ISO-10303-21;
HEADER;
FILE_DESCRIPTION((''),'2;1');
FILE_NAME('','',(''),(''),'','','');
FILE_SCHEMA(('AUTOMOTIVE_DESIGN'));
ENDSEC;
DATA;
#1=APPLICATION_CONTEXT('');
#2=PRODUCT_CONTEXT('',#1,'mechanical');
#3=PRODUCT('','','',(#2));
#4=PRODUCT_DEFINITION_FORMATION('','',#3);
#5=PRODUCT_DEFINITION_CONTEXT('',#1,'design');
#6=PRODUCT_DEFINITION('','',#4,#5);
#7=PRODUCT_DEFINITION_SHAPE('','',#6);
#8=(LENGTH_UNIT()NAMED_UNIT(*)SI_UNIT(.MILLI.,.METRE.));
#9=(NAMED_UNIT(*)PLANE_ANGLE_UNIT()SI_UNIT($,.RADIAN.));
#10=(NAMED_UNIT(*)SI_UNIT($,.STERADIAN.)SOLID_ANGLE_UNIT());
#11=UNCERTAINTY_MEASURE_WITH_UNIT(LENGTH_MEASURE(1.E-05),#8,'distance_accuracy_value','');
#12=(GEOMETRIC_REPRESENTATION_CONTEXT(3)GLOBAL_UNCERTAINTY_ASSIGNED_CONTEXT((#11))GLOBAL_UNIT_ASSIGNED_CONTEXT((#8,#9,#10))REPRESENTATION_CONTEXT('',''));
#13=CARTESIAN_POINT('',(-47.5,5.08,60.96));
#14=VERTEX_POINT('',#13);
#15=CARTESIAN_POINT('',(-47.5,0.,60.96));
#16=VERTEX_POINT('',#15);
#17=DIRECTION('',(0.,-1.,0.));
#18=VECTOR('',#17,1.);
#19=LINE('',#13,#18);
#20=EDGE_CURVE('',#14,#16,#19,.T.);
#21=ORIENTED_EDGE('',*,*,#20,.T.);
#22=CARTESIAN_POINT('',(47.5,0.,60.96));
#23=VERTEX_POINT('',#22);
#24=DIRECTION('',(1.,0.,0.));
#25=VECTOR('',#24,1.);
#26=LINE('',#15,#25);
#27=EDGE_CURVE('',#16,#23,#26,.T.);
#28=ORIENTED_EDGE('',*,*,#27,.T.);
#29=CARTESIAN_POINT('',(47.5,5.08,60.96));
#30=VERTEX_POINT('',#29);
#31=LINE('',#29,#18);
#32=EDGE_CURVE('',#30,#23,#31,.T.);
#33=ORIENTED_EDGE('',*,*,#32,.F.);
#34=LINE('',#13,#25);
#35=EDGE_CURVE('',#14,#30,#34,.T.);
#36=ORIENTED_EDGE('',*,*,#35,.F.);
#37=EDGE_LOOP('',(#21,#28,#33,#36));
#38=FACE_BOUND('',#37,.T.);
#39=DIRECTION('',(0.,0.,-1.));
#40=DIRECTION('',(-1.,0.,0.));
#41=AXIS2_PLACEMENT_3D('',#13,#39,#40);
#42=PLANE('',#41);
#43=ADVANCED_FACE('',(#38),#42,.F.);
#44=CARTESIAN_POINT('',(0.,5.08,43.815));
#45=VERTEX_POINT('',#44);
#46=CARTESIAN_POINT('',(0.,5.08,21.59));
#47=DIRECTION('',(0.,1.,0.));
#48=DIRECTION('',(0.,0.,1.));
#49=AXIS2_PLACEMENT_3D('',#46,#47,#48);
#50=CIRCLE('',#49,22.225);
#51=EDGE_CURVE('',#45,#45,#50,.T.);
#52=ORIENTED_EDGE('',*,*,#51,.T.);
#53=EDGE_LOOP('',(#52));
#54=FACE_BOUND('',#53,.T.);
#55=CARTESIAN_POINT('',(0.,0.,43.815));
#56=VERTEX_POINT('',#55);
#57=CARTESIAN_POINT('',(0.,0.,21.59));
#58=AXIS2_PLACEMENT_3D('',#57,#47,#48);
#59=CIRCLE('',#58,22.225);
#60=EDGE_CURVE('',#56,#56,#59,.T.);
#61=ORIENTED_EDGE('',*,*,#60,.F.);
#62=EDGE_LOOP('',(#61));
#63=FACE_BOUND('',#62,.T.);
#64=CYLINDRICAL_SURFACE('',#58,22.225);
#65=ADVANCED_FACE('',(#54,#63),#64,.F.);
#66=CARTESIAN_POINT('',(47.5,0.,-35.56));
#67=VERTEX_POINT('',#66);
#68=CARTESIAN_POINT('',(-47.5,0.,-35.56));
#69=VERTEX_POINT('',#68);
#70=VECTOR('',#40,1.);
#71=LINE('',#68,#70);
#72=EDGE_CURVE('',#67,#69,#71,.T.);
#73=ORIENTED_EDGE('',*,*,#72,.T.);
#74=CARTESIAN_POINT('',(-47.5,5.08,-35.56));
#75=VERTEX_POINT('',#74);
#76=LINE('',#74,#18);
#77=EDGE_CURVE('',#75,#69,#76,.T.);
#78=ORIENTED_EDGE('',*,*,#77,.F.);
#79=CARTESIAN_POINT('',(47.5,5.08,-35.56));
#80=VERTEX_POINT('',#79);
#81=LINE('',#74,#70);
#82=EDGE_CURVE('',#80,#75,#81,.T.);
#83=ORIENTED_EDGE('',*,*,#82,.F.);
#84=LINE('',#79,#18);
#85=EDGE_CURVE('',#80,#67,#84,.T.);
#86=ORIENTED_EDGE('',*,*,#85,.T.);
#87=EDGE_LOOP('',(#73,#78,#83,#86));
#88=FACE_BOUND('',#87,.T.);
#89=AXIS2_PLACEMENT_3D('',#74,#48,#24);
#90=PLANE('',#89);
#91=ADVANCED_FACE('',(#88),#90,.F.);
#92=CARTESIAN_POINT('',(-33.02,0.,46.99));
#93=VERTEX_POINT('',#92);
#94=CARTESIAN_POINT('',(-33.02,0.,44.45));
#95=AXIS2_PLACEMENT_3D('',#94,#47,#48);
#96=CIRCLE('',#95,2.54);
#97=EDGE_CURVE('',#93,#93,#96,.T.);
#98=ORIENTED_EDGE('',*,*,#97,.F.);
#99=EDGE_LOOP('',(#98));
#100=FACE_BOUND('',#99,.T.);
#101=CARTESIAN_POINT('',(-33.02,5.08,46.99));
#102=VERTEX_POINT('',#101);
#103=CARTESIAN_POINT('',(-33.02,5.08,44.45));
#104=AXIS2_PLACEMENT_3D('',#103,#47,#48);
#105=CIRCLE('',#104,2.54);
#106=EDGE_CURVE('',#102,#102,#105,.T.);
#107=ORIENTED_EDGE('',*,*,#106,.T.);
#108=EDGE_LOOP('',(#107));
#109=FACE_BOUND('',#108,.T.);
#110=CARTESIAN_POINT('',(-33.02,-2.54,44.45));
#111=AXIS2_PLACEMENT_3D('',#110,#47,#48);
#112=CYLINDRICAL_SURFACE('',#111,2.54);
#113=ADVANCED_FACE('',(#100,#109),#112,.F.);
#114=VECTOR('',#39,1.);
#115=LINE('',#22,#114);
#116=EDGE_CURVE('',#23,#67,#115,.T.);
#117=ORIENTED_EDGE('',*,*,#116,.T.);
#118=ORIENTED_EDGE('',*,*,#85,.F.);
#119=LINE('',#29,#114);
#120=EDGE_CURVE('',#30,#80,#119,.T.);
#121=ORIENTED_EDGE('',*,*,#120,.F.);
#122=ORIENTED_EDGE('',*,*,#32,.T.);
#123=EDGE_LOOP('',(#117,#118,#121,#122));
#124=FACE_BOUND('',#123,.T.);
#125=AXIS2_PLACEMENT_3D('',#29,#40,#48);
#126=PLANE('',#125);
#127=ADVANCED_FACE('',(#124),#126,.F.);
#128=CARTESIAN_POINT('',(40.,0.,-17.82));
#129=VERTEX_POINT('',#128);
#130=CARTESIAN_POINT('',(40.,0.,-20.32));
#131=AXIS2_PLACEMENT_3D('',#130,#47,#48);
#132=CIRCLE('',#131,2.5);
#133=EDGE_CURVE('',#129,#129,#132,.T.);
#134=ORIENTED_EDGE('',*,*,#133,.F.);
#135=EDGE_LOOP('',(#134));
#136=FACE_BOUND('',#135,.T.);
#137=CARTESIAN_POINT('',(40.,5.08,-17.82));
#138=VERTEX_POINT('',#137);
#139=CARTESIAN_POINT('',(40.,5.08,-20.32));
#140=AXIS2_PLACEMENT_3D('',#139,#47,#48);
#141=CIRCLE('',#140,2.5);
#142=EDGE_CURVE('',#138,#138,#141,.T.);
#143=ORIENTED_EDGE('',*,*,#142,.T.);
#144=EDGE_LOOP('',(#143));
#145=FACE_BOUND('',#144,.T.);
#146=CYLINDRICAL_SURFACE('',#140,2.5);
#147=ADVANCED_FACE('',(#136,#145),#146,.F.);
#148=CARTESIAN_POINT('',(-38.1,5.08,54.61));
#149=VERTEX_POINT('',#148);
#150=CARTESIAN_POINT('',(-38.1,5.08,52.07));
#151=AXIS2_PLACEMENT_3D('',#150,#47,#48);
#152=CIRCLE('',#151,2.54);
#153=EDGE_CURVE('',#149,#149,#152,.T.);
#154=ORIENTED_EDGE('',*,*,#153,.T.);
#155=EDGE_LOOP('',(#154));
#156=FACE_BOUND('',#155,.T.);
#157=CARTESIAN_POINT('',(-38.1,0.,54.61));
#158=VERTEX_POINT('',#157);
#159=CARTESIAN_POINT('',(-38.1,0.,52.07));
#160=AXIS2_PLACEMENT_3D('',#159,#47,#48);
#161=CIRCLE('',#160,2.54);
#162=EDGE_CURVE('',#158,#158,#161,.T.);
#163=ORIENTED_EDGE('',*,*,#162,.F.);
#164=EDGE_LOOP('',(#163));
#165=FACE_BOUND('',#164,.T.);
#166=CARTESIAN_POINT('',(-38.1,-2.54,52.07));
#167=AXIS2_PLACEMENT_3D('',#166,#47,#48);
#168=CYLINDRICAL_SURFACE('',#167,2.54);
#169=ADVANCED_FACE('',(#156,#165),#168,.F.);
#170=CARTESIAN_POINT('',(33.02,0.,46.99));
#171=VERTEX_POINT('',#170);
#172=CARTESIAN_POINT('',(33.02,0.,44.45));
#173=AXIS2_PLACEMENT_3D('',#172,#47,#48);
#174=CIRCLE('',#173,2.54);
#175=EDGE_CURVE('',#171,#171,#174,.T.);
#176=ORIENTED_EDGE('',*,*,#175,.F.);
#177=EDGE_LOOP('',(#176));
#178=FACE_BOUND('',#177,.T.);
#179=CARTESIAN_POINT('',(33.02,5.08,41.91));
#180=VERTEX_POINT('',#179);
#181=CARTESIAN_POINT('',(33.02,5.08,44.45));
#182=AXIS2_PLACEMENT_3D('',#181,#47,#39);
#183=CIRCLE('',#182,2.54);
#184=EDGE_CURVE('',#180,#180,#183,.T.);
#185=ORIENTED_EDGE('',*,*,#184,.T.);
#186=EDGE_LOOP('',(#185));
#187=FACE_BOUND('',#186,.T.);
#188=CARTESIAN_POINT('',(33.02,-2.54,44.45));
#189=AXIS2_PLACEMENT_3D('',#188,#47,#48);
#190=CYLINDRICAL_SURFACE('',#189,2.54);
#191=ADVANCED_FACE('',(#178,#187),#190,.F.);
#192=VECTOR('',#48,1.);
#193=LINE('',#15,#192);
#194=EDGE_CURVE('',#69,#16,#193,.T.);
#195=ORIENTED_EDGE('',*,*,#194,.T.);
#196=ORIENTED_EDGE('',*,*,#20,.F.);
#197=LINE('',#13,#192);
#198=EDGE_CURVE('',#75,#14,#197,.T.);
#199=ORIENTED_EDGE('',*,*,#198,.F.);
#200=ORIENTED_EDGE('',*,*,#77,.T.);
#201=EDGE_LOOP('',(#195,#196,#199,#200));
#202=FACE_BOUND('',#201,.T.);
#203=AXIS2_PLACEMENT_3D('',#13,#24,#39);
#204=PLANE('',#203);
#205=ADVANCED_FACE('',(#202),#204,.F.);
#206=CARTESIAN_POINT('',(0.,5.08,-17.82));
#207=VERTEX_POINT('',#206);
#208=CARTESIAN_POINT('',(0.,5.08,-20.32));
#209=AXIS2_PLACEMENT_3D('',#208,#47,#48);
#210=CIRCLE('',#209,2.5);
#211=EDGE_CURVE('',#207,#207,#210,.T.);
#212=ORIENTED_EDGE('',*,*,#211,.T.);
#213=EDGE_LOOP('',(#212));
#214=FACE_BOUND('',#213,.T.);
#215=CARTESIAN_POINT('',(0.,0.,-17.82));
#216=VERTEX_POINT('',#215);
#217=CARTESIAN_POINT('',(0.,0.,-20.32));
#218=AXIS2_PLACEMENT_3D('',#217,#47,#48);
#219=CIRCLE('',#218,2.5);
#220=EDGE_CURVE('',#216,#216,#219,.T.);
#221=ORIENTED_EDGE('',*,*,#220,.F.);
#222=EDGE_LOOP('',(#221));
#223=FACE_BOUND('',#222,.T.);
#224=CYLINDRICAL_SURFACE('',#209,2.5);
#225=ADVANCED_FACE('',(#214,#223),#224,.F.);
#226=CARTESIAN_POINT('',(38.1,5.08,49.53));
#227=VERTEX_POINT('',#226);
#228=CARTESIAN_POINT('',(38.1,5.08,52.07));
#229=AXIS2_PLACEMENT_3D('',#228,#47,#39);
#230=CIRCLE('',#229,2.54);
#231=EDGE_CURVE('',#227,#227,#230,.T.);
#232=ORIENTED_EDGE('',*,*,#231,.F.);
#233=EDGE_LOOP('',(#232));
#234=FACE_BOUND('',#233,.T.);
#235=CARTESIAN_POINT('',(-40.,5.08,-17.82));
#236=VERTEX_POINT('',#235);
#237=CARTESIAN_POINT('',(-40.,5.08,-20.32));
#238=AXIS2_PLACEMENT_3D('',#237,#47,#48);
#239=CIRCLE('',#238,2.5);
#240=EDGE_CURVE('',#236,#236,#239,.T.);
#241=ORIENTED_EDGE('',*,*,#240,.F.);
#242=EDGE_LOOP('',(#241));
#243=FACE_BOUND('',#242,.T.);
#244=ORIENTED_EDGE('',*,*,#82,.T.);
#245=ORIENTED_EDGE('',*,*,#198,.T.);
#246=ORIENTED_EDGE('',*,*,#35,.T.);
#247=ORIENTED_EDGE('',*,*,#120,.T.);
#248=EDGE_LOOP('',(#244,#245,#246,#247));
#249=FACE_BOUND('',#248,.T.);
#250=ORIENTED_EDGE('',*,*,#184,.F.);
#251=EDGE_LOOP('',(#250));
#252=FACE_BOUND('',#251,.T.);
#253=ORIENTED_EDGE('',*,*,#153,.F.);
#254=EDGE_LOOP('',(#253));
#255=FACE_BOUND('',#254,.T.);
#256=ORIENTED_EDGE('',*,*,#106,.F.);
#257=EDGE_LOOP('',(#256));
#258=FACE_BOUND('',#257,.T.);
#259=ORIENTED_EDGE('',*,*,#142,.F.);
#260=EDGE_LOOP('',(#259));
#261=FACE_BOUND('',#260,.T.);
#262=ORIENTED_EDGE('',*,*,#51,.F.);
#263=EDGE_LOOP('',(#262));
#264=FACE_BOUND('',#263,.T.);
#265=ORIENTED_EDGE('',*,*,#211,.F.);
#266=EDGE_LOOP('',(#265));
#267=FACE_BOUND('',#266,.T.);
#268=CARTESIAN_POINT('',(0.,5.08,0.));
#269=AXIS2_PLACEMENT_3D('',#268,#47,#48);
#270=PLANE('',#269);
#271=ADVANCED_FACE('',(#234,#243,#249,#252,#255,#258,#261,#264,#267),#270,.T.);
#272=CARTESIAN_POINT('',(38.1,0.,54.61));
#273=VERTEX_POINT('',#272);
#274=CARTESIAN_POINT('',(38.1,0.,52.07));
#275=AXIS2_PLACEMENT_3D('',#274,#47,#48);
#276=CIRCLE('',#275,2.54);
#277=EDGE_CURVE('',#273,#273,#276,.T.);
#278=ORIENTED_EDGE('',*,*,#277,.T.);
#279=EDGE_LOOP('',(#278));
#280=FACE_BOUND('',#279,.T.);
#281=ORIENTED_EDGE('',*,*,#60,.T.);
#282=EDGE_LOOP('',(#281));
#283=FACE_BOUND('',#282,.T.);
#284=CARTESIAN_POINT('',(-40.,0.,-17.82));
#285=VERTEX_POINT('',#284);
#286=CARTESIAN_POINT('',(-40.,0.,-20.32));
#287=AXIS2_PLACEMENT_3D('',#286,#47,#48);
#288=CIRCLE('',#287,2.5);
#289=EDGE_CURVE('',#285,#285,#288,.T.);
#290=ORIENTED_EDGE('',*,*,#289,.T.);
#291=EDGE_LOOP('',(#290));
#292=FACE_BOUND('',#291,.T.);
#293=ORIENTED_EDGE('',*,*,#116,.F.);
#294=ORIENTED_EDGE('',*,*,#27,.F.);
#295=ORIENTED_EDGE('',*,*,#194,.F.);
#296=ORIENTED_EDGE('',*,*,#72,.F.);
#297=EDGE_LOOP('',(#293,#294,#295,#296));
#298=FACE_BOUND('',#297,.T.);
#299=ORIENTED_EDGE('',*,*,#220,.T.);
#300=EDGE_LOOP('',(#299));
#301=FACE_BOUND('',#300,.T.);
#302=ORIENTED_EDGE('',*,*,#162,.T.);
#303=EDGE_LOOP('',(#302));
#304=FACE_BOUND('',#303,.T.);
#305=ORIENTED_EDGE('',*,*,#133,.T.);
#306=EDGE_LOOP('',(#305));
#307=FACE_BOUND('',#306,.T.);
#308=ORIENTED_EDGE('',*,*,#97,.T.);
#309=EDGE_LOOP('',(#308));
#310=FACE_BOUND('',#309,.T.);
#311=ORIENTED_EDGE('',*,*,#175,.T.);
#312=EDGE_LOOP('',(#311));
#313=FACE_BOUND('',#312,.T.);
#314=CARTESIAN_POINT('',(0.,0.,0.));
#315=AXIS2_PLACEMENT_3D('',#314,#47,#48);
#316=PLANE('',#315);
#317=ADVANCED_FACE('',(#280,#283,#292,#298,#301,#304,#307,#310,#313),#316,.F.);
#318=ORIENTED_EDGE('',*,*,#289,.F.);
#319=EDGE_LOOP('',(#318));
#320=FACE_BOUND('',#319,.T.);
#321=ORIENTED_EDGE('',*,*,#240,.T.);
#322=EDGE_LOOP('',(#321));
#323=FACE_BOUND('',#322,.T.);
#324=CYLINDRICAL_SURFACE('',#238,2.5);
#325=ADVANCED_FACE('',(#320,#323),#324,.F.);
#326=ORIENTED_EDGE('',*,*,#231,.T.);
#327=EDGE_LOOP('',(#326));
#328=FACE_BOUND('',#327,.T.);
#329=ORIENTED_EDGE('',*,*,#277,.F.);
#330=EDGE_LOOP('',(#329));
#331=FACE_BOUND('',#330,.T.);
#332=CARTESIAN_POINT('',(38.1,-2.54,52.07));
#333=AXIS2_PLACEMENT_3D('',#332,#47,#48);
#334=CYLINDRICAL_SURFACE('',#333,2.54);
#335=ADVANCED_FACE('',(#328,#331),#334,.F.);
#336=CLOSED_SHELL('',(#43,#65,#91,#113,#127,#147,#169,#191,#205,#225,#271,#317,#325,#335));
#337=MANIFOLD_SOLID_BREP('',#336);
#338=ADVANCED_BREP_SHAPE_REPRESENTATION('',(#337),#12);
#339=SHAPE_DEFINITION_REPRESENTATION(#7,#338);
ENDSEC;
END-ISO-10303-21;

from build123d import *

# Parameters (mm, degrees)
SKETCH2_W                 = 95
SKETCH2_H                 = 96.52
BOSS_EXTRUDE3_DEPTH       = 5.08
SKETCH3_R                 = 22.225
CUT_EXTRUDE1_DEPTH        = 78.447905072
M6X1_0_TAPPED_HOLE1_D     = 5
M6X1_0_TAPPED_HOLE1_DEPTH = 5.08
M6X1_0_TAPPED_HOLE1_TIP   = 1.502151548
SKETCH7_R                 = 2.54
CUT_EXTRUDE2_DEPTH        = 7.62


with BuildPart() as part:
    # Sketch2 → Boss-Extrude3 (new body)
    with BuildSketch(Plane(origin=(0, 0, 0), x_dir=(1, 0, 0), z_dir=(0, 1, 0))):
        with Locations((0, -12.7)):
            Rectangle(SKETCH2_W, SKETCH2_H)
    extrude(amount=BOSS_EXTRUDE3_DEPTH)

    # Sketch3 → Cut-Extrude1 (cut, through all)
    with BuildSketch(Plane(origin=(0, 5.08, 0), x_dir=(1, 0, 0), z_dir=(0, 1, 0))):
        with Locations(Location((0, -21.59, 0), (0, 0, 270))):
            Circle(SKETCH3_R)
    extrude(amount=-CUT_EXTRUDE1_DEPTH, mode=Mode.SUBTRACT)

    # M6x1.0 Tapped Hole1
    with Locations(Plane(origin=(0, 5.08, 0), x_dir=(1, 0, 0), z_dir=(0, 1, 0))):
        with Locations((-40, 20.32), (40, 20.32), (0, 20.32)):
            Hole(M6X1_0_TAPPED_HOLE1_D / 2, depth=M6X1_0_TAPPED_HOLE1_DEPTH)
            with Locations((0, 0, -(M6X1_0_TAPPED_HOLE1_DEPTH + M6X1_0_TAPPED_HOLE1_TIP / 2))):  # 118° drill point
                Cone(0, M6X1_0_TAPPED_HOLE1_D / 2, M6X1_0_TAPPED_HOLE1_TIP, mode=Mode.SUBTRACT)

    # Sketch7 → Cut-Extrude2 (cut)
    with BuildSketch(Plane(origin=(0, 5.08, 0), x_dir=(1, 0, 0), z_dir=(0, 1, 0))):
        with Locations(Location((-33.02, -44.45, 0), (0, 0, 270))):
            Circle(SKETCH7_R)
        with Locations(Location((33.02, -44.45, 0), (0, 0, 270))):
            Circle(SKETCH7_R)
        with Locations(Location((-38.1, -52.07, 0), (0, 0, 270))):
            Circle(SKETCH7_R)
        with Locations(Location((38.1, -52.07, 0), (0, 0, 270))):
            Circle(SKETCH7_R)
    extrude(amount=-CUT_EXTRUDE2_DEPTH, mode=Mode.SUBTRACT)


solid = part.part
